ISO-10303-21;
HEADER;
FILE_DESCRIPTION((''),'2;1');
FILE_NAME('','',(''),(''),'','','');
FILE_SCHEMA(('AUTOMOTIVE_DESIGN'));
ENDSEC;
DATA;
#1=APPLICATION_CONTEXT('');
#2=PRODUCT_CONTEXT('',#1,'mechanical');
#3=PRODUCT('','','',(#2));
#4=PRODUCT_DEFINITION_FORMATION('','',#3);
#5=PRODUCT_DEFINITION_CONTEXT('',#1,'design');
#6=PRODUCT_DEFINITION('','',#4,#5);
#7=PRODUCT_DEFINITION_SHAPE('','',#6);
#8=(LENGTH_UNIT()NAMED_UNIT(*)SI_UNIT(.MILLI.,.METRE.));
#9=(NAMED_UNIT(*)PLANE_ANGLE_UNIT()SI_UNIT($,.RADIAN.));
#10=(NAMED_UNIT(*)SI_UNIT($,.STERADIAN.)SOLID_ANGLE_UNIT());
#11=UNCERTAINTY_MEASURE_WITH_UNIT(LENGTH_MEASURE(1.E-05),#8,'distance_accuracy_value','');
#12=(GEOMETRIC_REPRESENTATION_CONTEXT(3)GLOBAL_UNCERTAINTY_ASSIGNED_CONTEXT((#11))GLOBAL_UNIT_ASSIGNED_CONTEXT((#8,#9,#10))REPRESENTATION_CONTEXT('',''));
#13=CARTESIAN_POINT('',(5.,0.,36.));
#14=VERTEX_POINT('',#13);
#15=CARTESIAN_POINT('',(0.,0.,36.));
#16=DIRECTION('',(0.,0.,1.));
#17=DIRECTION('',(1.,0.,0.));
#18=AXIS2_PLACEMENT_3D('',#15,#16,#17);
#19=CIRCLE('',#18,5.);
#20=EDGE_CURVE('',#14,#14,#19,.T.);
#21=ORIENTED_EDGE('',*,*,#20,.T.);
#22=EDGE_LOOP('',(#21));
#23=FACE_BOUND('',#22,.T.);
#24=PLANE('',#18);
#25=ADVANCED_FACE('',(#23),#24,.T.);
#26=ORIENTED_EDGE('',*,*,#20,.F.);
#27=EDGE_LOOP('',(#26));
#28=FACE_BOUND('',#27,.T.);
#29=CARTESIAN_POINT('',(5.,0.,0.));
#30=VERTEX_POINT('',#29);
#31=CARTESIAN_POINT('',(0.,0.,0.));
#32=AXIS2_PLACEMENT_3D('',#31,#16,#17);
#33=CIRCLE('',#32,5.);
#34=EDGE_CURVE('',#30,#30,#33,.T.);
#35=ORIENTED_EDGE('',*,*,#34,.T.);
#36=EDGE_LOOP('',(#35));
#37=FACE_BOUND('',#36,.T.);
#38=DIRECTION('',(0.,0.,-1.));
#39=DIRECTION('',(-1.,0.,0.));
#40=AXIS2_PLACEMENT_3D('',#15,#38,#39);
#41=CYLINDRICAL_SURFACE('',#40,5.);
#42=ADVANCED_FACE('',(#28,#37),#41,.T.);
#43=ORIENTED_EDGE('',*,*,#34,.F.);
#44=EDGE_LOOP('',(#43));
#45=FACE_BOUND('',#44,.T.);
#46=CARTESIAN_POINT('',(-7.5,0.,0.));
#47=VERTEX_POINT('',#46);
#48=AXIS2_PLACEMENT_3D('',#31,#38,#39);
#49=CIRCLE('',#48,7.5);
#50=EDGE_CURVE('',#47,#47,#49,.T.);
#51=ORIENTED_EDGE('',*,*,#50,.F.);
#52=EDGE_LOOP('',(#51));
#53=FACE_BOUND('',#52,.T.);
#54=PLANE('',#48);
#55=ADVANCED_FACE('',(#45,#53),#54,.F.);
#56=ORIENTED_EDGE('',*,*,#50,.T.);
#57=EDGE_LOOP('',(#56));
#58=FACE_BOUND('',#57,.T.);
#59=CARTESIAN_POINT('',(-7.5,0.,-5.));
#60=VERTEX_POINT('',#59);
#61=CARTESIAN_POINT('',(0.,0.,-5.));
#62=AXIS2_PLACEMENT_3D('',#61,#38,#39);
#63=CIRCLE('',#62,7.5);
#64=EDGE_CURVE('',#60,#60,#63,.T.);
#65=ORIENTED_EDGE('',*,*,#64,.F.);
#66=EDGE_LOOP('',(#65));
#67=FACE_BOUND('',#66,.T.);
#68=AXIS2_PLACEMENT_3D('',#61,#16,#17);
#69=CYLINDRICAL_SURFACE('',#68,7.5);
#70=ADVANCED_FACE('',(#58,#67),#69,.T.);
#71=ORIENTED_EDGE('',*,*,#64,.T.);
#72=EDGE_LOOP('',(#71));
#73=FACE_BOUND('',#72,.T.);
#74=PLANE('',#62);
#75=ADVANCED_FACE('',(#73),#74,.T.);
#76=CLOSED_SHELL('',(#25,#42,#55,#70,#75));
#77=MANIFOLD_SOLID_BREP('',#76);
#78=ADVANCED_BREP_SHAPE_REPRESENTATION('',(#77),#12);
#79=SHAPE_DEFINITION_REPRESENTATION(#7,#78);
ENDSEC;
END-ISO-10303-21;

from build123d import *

# Parameters (mm, degrees)
SKETCH1_R           = 5
BOSS_EXTRUDE1_DEPTH = 36
SKETCH2_R           = 7.5
BOSS_EXTRUDE2_DEPTH = 5


with BuildPart() as part:
    # Sketch1 → Boss-Extrude1 (new body)
    with BuildSketch(Plane.XY):
        Circle(SKETCH1_R)
    extrude(amount=BOSS_EXTRUDE1_DEPTH)

    # Sketch2 → Boss-Extrude2 (add)
    with BuildSketch(Plane(origin=(0, 0, 0), x_dir=(-1, 0, 0), z_dir=(0, 0, -1))):
        Circle(SKETCH2_R)
    extrude(amount=BOSS_EXTRUDE2_DEPTH)


solid = part.part
